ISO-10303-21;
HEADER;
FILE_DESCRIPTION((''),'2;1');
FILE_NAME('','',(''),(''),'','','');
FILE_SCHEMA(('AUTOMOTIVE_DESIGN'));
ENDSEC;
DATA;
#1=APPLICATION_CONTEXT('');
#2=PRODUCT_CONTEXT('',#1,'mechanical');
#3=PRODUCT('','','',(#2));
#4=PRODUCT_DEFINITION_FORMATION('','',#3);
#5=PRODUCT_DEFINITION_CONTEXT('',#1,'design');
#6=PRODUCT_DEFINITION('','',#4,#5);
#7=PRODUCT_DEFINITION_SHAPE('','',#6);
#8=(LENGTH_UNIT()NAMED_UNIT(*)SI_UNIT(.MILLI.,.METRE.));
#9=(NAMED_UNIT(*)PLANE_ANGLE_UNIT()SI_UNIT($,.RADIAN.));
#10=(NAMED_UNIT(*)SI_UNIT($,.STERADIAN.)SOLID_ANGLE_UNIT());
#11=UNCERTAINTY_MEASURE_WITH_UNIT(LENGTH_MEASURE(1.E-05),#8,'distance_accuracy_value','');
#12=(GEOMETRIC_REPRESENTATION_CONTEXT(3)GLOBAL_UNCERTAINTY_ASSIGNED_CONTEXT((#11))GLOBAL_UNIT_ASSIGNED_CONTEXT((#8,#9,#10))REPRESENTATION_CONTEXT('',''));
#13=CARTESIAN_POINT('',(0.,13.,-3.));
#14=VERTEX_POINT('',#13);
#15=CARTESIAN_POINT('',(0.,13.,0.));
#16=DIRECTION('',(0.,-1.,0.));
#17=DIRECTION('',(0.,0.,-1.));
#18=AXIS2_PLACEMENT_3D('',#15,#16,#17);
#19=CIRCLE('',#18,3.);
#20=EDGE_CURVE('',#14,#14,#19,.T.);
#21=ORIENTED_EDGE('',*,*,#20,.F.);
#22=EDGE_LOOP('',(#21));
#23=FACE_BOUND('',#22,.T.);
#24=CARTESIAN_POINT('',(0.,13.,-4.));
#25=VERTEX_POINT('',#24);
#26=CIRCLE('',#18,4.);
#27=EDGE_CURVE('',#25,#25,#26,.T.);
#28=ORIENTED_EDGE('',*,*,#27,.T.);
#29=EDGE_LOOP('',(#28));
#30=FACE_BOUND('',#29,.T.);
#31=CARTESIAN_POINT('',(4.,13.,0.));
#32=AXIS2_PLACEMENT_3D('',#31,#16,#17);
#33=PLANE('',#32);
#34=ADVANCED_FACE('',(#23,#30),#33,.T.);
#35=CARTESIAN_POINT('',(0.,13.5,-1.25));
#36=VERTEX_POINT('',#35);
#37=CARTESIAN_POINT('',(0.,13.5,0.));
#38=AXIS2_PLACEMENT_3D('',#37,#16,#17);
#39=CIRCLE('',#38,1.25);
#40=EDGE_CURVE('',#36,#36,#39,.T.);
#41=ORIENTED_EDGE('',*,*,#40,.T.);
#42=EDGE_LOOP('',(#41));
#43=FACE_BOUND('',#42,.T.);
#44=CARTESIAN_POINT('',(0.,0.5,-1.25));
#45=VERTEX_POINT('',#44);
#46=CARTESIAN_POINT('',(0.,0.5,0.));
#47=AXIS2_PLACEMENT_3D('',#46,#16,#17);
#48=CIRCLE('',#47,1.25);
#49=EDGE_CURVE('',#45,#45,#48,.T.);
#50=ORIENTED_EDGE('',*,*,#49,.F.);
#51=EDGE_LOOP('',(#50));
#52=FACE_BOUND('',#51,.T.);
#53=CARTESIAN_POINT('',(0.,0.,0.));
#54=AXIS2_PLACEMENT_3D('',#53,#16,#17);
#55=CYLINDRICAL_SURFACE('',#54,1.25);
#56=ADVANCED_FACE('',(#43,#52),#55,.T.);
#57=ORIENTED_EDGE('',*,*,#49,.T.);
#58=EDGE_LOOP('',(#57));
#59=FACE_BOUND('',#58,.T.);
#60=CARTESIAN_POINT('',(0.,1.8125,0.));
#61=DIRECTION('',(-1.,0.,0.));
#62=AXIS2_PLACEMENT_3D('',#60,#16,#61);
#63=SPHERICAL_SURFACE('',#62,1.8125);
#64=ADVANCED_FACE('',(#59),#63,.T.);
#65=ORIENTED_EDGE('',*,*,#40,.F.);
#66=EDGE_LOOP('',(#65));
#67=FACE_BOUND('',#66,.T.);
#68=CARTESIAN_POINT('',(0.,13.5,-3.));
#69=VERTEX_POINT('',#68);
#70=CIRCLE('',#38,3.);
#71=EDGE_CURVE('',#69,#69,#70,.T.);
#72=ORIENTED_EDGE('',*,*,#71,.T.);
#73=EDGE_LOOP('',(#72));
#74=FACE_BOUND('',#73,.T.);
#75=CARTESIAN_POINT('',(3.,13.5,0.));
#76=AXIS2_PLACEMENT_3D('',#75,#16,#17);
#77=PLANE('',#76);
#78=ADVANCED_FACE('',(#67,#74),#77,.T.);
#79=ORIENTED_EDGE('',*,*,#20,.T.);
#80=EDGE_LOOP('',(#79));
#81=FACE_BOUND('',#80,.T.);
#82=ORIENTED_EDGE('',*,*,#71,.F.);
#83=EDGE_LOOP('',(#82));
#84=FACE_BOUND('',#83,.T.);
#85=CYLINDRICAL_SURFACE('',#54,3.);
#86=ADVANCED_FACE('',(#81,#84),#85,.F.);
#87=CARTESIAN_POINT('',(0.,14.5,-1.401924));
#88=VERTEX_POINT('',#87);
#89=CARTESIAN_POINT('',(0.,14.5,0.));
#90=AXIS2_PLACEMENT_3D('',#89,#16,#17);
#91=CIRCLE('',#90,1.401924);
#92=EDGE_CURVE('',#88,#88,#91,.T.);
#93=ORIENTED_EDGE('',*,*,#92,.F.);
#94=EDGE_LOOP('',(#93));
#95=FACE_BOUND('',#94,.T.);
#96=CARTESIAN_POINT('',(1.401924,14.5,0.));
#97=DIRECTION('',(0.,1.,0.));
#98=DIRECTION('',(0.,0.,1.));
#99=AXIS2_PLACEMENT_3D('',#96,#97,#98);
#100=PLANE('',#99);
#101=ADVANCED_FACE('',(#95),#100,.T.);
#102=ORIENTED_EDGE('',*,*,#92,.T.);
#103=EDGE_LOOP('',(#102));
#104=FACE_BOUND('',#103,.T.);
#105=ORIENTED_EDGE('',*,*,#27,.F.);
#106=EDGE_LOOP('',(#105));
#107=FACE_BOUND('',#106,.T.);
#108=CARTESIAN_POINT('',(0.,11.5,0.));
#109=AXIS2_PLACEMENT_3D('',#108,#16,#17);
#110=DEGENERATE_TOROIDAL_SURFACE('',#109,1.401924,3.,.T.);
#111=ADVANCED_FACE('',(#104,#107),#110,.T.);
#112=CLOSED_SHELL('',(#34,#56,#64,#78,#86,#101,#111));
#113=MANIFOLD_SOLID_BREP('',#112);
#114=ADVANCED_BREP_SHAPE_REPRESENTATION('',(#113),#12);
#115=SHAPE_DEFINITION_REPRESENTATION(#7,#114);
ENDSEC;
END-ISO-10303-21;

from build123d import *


with BuildPart() as part:
    # Esquisse1 → Révolution1 (revolve)
    with BuildSketch(Plane.XY, mode=Mode.PRIVATE) as r_volution1_sk:
        with BuildLine():
            Line((1.25, 13.5), (1.25, 0.5))
            ThreePointArc((1.25, 0.5), (0.673145601, 0.129635998), (0, 0))
            Line((0, 0), (0, 14.5))
            Line((0, 14.5), (1.401923789, 14.5))
            ThreePointArc((1.401923789, 14.5), (2.901923789, 14.098076211), (4, 13))
            Line((4, 13), (3, 13))
            Line((3, 13), (3, 13.5))
            Line((3, 13.5), (1.25, 13.5))
        make_face()
    revolve(r_volution1_sk.sketch.rotate(Axis((0, 0, 0), (0, 1, 0)), 90), axis=Axis((0, 0, 0), (0, 1, 0)))


solid = part.part
